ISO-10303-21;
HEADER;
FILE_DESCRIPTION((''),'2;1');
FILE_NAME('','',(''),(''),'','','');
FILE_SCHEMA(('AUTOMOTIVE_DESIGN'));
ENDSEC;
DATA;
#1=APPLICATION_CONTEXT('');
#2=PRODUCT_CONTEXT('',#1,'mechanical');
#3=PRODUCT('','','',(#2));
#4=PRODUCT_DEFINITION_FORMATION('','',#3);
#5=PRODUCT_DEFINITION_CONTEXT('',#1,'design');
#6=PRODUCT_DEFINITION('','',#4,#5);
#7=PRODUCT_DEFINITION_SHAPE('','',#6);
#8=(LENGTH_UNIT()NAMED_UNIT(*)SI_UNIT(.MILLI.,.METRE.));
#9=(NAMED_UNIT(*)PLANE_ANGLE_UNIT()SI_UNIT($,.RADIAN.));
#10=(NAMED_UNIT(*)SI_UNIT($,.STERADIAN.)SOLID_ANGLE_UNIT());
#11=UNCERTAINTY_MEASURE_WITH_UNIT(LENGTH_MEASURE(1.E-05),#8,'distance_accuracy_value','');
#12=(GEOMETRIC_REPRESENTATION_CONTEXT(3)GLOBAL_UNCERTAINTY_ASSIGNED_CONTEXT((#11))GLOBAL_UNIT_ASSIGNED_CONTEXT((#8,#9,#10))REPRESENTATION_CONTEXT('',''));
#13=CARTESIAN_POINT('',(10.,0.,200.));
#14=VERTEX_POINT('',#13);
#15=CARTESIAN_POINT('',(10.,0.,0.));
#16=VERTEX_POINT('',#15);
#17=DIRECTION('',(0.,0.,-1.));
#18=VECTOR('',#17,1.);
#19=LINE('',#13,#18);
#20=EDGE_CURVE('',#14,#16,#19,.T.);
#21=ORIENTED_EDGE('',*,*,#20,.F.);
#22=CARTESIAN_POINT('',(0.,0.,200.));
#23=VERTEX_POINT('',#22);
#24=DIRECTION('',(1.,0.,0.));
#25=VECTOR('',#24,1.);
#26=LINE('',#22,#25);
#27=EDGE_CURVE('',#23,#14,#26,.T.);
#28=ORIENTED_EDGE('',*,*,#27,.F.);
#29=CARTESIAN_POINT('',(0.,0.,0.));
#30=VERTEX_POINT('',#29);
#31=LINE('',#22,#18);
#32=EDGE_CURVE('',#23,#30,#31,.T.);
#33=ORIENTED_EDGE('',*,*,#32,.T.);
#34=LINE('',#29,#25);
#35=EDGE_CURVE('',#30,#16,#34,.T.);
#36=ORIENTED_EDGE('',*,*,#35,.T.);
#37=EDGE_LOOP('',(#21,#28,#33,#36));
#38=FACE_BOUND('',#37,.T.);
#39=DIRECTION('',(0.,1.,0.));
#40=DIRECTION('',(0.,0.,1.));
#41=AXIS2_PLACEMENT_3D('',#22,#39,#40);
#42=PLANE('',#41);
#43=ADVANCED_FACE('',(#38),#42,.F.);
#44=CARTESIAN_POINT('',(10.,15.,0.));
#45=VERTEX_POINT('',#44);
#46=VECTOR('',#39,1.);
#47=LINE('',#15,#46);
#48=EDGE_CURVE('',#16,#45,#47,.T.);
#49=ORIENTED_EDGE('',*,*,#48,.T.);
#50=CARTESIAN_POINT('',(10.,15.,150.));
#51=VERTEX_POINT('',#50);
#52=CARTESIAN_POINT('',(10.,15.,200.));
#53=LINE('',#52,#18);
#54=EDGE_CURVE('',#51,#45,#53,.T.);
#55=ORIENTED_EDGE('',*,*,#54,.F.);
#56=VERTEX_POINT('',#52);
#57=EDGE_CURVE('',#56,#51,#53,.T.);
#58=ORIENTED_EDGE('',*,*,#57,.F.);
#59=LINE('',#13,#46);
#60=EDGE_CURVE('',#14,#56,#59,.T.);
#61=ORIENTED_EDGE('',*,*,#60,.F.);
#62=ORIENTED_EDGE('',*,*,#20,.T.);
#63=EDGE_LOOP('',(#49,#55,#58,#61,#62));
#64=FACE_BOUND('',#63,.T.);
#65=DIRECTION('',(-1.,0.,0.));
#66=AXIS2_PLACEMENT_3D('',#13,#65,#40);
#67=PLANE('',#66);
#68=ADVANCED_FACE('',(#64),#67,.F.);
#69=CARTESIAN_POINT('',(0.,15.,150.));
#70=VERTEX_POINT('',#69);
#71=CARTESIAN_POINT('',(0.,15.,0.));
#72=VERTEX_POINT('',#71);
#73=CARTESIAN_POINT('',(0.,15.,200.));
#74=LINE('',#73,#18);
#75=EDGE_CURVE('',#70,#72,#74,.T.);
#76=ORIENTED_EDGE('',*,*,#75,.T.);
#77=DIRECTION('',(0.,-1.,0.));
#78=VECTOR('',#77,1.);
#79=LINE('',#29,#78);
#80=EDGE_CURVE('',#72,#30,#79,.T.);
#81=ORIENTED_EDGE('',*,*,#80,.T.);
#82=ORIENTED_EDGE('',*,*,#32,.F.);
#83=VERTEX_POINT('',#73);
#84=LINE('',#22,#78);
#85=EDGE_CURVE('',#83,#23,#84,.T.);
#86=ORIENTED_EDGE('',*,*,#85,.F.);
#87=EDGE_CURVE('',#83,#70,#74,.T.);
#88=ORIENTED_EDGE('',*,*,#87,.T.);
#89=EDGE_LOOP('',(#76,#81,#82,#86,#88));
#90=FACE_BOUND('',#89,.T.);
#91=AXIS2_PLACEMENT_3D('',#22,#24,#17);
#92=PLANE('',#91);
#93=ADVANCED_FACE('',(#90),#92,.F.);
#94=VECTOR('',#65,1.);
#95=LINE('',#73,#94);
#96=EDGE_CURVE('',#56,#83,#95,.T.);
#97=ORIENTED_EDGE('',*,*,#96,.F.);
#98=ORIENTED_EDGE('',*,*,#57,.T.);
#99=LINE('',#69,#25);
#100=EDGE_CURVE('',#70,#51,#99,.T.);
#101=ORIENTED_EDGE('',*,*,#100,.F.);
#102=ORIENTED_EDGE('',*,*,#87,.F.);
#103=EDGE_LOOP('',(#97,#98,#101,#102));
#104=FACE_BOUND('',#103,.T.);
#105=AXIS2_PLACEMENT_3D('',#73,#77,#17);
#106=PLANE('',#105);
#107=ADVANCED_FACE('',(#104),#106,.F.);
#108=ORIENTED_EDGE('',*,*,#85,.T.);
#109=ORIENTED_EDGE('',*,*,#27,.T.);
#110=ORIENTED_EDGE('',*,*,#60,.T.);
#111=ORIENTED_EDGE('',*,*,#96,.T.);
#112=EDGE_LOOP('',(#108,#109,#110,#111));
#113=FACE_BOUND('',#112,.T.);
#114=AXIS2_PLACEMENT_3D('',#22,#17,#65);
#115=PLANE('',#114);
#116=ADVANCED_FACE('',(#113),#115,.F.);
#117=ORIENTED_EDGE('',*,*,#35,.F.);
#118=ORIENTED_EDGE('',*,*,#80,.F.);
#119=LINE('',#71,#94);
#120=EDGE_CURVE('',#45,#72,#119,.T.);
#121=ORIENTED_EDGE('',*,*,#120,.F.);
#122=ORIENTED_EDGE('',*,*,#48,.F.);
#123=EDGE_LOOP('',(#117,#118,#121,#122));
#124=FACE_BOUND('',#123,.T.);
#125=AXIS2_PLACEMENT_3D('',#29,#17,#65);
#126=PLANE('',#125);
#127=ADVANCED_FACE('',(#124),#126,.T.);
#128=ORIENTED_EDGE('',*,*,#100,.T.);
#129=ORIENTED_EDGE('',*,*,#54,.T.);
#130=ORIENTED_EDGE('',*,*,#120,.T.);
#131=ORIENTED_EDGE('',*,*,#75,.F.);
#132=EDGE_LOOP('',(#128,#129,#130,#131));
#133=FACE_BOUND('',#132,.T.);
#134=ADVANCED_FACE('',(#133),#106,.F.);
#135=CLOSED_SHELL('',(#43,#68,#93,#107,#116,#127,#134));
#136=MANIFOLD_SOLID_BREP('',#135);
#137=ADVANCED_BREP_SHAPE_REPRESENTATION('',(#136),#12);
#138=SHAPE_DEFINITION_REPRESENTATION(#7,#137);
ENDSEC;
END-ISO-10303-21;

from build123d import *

# Parameters (mm, degrees)
SZKIC1_W                    = 10
SZKIC1_H                    = 15
DODANIE_WYCI_GNI_CIE1_DEPTH = 200


with BuildPart() as part:
    # Szkic1 → Dodanie-wyciągnięcie1 (new body)
    with BuildSketch(Plane.XY):
        with Locations((5, 7.5)):
            Rectangle(SZKIC1_W, SZKIC1_H)
    extrude(amount=DODANIE_WYCI_GNI_CIE1_DEPTH)


solid = part.part
